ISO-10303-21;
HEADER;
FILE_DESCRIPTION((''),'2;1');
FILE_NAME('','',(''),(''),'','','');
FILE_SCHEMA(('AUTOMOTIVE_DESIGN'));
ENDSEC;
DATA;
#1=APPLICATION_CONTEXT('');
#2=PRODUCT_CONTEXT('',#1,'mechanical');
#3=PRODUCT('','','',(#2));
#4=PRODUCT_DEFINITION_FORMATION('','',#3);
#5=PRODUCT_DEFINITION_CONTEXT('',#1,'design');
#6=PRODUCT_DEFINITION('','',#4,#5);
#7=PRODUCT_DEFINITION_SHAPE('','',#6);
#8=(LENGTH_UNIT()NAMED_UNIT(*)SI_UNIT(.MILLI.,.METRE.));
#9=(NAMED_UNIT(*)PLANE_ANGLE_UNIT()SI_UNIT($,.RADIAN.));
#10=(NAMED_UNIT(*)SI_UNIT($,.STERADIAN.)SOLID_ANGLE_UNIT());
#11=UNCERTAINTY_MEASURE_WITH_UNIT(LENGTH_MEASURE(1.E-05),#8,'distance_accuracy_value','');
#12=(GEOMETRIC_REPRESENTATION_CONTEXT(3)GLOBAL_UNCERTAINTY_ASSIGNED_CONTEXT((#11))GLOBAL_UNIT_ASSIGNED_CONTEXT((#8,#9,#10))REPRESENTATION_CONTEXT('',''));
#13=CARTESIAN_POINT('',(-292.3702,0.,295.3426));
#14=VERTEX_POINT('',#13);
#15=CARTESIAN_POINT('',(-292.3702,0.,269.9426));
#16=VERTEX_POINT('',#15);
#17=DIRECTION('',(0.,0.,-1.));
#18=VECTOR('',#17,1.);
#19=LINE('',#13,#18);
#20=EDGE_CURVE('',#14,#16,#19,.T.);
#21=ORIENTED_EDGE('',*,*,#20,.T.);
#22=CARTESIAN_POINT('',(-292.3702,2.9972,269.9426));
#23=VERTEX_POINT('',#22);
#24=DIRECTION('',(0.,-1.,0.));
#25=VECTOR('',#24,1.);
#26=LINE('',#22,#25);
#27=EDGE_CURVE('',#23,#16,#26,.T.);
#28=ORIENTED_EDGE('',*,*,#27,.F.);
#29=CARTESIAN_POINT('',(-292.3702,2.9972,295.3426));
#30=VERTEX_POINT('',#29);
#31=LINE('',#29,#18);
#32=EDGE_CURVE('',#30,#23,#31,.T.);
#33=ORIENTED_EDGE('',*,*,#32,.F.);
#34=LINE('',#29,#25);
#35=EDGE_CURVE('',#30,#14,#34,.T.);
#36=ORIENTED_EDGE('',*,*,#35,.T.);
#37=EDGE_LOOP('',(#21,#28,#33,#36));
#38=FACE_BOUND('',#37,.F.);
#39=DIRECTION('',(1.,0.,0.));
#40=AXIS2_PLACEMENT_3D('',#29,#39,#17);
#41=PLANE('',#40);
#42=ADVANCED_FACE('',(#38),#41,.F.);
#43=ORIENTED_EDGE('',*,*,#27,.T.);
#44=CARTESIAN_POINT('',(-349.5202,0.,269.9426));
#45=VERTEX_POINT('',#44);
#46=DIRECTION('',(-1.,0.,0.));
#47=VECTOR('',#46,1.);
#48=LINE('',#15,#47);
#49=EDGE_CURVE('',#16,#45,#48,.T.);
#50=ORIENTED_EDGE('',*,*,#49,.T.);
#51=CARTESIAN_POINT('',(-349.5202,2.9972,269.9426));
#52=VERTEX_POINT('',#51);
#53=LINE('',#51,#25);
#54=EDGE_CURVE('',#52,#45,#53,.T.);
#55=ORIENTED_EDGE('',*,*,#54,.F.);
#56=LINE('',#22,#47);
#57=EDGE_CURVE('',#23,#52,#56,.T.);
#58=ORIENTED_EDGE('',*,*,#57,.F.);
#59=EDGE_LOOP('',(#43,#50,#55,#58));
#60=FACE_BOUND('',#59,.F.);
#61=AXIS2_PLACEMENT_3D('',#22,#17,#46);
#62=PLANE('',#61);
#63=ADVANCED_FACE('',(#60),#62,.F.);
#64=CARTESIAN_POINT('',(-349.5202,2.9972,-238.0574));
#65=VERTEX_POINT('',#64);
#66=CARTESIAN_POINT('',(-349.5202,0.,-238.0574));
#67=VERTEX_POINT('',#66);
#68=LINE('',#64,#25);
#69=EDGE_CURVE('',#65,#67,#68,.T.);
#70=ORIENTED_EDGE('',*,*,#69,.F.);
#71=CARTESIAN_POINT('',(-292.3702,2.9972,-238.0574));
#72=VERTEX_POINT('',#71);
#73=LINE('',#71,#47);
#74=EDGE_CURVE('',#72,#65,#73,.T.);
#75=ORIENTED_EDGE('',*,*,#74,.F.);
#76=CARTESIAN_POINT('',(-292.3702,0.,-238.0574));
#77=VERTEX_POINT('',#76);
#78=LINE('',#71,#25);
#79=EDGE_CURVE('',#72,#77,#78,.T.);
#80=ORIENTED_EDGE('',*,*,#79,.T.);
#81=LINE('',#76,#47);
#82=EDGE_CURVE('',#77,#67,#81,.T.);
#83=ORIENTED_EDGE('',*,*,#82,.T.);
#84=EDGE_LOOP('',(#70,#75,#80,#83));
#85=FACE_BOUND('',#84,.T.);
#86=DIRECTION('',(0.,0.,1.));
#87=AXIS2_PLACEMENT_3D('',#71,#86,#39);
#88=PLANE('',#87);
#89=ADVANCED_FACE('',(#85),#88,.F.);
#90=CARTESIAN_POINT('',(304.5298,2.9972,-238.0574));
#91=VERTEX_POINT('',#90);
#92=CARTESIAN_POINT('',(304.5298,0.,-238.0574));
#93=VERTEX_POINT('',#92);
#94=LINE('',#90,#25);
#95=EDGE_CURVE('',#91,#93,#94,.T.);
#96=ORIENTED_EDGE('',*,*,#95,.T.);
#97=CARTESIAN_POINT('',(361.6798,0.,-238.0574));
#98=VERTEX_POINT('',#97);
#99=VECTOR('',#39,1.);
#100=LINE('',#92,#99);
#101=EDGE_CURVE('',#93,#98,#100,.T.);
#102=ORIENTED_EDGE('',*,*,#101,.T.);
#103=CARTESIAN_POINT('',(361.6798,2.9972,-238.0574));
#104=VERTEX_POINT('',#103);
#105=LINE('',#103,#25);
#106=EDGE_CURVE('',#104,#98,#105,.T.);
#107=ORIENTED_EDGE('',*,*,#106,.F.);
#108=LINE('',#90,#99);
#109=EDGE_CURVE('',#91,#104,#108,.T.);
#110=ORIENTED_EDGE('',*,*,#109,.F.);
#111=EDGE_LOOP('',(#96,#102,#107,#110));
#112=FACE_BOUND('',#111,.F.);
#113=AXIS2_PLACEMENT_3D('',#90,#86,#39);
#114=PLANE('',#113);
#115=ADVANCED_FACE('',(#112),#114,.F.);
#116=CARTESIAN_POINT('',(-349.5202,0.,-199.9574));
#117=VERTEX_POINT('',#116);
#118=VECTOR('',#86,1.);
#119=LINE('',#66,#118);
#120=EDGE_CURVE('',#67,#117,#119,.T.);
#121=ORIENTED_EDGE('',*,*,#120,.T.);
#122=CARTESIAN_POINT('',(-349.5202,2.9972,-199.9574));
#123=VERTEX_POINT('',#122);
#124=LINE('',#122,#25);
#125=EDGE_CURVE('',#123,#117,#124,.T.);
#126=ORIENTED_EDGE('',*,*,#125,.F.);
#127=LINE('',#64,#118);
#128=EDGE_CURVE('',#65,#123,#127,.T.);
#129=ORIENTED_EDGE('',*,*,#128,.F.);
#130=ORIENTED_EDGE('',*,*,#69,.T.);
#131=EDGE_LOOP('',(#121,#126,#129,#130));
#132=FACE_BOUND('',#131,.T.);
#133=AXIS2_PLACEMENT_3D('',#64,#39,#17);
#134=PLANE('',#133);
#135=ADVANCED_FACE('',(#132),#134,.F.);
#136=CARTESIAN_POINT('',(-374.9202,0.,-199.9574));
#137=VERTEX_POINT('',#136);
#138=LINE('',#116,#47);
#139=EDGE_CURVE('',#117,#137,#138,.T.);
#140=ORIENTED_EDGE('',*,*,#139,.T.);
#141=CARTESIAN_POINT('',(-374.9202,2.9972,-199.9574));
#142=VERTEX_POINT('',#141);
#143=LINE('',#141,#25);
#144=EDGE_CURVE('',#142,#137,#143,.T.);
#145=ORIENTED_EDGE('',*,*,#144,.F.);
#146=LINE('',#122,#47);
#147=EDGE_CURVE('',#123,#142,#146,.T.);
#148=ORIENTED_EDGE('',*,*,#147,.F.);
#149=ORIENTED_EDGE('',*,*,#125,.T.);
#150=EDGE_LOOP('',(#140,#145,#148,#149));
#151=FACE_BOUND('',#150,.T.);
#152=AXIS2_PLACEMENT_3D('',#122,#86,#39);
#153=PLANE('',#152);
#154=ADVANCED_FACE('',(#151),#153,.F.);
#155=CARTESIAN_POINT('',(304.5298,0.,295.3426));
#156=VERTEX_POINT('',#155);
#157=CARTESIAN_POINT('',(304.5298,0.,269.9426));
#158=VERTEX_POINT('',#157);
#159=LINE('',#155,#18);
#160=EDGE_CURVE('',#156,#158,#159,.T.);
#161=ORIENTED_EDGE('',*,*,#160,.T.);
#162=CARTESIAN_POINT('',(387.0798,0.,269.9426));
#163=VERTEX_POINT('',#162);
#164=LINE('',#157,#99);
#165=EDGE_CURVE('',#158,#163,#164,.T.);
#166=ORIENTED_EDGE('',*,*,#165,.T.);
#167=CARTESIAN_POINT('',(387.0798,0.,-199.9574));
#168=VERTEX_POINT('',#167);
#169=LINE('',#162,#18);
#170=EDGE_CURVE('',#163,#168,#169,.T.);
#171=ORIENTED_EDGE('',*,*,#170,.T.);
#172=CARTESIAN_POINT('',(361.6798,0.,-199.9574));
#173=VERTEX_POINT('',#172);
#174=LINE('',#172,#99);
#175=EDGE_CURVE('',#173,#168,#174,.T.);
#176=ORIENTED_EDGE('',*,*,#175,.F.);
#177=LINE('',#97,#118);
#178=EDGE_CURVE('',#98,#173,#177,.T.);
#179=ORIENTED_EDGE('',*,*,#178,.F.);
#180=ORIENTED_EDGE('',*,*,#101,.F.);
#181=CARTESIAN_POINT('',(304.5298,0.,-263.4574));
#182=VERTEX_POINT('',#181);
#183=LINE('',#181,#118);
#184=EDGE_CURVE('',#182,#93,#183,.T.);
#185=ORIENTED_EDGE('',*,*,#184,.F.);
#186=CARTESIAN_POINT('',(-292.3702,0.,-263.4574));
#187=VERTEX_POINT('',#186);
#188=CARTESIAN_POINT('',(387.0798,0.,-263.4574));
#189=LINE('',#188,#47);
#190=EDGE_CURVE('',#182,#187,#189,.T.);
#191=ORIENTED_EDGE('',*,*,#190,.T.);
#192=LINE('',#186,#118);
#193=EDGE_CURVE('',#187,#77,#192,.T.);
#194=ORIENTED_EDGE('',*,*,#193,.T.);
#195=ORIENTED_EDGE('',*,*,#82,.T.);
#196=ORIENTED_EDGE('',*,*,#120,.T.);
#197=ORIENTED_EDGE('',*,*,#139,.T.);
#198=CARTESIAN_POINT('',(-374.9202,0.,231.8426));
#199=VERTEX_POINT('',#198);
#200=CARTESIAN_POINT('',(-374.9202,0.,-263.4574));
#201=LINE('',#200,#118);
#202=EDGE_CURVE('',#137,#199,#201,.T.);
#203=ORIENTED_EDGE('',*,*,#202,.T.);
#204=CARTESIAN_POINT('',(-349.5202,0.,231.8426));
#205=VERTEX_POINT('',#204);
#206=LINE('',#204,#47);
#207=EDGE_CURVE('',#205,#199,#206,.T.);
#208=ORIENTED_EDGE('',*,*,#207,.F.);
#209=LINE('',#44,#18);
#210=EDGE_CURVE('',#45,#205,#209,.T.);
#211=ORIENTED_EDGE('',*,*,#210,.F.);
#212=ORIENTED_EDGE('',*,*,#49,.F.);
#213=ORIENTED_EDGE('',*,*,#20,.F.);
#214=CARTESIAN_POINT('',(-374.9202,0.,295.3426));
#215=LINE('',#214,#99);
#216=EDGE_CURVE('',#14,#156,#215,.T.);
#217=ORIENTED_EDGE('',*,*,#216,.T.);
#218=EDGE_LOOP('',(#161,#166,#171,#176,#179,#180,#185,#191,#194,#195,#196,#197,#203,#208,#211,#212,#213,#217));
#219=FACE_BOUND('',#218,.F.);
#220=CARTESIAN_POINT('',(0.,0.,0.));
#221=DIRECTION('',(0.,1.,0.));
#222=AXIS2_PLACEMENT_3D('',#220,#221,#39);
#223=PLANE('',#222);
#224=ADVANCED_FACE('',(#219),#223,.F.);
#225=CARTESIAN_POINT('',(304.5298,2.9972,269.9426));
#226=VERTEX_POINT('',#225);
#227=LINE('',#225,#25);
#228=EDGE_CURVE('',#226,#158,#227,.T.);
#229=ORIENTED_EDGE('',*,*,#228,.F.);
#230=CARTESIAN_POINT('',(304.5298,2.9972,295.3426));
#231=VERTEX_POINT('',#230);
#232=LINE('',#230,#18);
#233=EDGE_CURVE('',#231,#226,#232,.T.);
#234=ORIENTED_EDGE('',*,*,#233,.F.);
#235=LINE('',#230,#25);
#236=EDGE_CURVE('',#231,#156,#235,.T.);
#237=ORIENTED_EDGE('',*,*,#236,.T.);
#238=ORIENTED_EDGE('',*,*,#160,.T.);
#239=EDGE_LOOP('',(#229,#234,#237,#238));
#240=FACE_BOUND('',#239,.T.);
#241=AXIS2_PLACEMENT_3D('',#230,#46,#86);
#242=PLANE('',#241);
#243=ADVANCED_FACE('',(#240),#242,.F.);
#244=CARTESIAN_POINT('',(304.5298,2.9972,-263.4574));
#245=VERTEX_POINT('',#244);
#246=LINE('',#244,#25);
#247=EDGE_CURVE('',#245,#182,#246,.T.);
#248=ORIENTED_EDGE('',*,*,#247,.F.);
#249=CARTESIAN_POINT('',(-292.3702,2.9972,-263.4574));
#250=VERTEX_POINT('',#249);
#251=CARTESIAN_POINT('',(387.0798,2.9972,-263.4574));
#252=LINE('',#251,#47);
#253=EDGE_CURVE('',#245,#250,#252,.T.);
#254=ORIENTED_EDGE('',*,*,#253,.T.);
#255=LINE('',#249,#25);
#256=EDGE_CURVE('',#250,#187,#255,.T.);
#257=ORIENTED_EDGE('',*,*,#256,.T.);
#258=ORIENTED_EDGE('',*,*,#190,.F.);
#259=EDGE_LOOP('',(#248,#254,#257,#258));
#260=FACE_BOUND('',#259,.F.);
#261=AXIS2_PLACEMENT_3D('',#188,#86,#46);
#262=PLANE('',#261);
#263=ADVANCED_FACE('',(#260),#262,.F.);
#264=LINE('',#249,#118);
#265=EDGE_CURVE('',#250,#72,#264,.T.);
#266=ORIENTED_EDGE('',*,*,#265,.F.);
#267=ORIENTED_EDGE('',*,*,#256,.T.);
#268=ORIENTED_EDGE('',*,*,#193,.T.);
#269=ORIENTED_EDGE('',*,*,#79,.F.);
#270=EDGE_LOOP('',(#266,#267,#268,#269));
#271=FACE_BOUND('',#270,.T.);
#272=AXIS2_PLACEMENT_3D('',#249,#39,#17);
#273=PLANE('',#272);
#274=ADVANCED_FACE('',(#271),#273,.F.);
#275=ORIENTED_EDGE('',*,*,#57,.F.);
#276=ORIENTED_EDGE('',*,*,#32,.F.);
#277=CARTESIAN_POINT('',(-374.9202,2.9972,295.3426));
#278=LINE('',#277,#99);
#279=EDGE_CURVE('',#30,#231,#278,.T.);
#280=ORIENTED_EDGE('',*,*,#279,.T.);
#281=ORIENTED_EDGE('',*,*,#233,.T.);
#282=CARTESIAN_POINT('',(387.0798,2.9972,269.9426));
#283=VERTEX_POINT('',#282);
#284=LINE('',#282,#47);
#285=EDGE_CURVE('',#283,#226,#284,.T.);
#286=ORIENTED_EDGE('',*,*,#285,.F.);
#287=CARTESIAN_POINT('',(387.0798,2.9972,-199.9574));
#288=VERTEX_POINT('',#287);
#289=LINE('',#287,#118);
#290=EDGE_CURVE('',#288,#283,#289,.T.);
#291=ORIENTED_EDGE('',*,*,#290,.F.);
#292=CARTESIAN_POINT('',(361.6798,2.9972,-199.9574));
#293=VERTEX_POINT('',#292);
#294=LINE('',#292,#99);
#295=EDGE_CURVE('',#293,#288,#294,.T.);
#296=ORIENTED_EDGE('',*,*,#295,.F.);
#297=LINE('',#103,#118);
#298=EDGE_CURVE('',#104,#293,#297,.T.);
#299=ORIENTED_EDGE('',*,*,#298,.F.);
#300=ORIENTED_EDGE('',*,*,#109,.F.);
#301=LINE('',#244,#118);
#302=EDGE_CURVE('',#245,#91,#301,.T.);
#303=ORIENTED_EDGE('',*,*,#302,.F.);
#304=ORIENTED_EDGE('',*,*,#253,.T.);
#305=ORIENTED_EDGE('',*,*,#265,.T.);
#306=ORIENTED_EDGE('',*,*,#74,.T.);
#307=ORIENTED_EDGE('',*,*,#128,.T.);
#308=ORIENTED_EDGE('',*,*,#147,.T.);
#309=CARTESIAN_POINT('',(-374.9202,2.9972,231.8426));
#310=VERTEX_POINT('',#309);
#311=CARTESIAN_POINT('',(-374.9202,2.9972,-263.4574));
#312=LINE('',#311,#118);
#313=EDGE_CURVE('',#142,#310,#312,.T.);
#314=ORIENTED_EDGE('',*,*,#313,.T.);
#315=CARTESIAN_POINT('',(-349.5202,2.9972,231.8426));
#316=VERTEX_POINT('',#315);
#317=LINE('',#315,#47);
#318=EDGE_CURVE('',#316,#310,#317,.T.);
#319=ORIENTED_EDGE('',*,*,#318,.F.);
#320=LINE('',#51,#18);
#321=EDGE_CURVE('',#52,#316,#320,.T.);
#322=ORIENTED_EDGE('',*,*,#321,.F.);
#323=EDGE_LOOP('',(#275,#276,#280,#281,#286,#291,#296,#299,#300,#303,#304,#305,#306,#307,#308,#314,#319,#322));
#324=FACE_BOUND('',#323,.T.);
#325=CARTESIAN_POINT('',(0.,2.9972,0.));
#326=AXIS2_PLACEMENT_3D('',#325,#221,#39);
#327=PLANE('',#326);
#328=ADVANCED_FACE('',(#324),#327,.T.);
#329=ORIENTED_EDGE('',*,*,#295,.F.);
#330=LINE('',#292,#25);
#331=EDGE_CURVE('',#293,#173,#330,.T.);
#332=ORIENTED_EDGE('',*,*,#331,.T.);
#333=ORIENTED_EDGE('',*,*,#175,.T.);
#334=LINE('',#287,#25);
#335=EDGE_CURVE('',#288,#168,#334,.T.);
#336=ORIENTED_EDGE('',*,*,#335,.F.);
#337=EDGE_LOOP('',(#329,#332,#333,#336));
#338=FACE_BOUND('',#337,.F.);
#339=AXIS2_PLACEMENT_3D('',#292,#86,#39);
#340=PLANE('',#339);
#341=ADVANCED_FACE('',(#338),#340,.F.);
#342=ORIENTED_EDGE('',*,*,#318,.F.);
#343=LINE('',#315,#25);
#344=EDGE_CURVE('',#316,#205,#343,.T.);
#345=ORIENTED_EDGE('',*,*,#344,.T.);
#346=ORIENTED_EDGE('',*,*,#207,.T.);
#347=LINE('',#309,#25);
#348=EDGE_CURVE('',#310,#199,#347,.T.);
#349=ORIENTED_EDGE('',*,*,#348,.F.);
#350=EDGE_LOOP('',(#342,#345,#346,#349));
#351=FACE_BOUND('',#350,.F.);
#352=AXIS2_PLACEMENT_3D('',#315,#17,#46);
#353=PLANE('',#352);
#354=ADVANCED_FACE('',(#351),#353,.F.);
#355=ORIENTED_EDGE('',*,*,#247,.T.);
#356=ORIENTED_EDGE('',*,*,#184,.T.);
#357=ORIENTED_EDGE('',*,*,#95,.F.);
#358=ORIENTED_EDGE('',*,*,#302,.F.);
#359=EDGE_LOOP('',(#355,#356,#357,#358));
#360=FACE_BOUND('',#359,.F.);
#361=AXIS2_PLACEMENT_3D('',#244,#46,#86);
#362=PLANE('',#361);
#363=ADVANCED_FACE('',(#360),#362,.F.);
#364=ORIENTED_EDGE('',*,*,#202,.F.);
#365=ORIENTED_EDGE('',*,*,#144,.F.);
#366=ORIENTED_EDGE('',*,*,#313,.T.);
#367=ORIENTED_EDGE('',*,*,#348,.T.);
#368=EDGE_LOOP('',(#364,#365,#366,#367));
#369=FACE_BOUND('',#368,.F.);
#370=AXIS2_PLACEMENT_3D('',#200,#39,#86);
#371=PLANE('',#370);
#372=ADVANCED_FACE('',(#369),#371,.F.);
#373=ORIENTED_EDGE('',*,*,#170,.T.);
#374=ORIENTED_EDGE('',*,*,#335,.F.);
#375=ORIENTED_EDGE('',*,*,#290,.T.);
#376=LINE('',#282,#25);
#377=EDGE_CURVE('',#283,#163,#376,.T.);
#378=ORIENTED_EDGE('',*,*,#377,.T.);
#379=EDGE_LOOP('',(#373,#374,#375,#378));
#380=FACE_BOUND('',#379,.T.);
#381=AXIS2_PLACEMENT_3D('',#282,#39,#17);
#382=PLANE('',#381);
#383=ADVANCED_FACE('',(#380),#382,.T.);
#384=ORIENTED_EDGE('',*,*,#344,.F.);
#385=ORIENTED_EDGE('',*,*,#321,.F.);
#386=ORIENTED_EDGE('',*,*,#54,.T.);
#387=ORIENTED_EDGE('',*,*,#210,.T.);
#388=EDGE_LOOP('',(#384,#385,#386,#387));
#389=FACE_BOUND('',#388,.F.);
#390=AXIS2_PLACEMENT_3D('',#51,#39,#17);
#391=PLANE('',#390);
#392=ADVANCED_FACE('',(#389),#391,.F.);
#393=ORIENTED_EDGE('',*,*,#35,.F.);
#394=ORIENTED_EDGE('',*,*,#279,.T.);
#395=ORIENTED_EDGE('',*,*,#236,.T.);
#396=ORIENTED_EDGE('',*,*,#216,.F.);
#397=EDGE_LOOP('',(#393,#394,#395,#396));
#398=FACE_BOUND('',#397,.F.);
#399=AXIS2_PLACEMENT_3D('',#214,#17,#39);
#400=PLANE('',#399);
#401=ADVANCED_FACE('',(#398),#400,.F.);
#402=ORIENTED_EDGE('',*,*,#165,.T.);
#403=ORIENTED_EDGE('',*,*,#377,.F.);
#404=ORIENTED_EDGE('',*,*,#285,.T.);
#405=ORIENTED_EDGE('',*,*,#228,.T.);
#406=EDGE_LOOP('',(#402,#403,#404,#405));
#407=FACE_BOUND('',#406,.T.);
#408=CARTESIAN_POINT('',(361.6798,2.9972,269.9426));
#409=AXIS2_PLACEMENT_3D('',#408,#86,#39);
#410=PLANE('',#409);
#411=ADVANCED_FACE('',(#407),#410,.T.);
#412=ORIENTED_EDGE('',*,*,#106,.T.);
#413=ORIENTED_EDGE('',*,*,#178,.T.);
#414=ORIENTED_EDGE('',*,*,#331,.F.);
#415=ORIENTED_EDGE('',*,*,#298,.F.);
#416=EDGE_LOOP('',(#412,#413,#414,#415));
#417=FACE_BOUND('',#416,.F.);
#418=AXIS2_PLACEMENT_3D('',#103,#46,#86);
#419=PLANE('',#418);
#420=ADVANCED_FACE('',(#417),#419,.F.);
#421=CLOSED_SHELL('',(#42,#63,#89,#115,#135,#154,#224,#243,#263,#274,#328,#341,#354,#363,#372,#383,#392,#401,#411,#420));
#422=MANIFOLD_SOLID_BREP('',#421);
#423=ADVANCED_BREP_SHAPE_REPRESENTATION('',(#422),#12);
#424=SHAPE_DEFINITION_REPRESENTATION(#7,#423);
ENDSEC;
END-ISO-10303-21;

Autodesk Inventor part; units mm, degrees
ref_plane "YZ Plane" through (0, 0, 0) normal (1, 0, 0) x (0, 1, 0)
sketch "Sketch1" plane through (0, 0, 0) normal (0, 1, 0) x (-1, 0, 0)
  line L0 (374.9202, 295.3426) -> (-387.0798, 295.3426)
  line L1 (-387.0798, 295.3426) -> (-387.0798, -263.4574)
  line L2 (-387.0798, -263.4574) -> (374.9202, -263.4574)
  line L3 (374.9202, -263.4574) -> (374.9202, 295.3426)
  point P0 (0, 0)
  dimension "d0" = 558.8
  dimension "d1" = 762
extrude "Extrusion1" add sketch "Sketch1" along normal blind 2.9972
sketch "Sketch2" plane through (0, 2.9972, 0) normal (0, 1, 0) x (1, 0, 0)
  line L0 (-374.9202, -231.8426) -> (-374.9202, -295.3426)
  line L1 (-374.9202, -295.3426) -> (-292.3702, -295.3426)
  line L2 (-292.3702, -295.3426) -> (-292.3702, -269.9426)
  line L3 (-292.3702, -269.9426) -> (-349.5202, -269.9426)
  line L4 (-349.5202, -269.9426) -> (-349.5202, -231.8426)
  line L5 (-349.5202, -231.8426) -> (-374.9202, -231.8426)
  line L6 (-374.9202, 263.4574) -> (-374.9202, -295.3426) projected
  line L7 (-374.9202, -295.3426) -> (387.0798, -295.3426) projected
  point P0 (0, 0)
  dimension "d4" = 63.5
  dimension "d5" = 82.55
  dimension "d6" = 25.4
  dimension "d7" = 25.4
extrude "Extrusion2" cut sketch "Sketch2" against normal blind 2.9972
ref_plane "Work Plane3" through (-292.3702, 0, 15.9426) normal (0, 0, 1) x (1, 0, 0)
mirror "Mirror1" about plane through (-292.3702, 0, 15.9426) normal (0, 0, 1) of "Extrusion2"
ref_plane "Work Plane4" through (6.0798, 0, -199.9574) normal (-1, 0, 0) x (0, 0, 1)
mirror "Mirror2" about plane through (6.0798, 0, -199.9574) normal (-1, 0, 0) of "Extrusion2", "Mirror1"
sketch "Sketch3" plane through (0, 2.9972, 0) normal (0, 1, 0) x (1, 0, 0)
  line L0 (387.0798, -231.8426) -> (387.0798, 199.9574) projected
  line L1 (304.5298, -269.9426) -> (361.6798, -269.9426) projected
  line L2 (387.0798, -231.8426) -> (361.6798, -231.8426)
  line L3 (361.6798, -231.8426) -> (361.6798, -269.9426)
  line L4 (361.6798, -269.9426) -> (387.0798, -269.9426)
  line L5 (387.0798, -269.9426) -> (387.0798, -231.8426)
  point P0 (0, 0)
extrude "Extrusion3" add sketch "Sketch3" against normal blind 2.9972
properties part number "Cut Lexan DriveTrain" material "Polycarbonate, Clear"
